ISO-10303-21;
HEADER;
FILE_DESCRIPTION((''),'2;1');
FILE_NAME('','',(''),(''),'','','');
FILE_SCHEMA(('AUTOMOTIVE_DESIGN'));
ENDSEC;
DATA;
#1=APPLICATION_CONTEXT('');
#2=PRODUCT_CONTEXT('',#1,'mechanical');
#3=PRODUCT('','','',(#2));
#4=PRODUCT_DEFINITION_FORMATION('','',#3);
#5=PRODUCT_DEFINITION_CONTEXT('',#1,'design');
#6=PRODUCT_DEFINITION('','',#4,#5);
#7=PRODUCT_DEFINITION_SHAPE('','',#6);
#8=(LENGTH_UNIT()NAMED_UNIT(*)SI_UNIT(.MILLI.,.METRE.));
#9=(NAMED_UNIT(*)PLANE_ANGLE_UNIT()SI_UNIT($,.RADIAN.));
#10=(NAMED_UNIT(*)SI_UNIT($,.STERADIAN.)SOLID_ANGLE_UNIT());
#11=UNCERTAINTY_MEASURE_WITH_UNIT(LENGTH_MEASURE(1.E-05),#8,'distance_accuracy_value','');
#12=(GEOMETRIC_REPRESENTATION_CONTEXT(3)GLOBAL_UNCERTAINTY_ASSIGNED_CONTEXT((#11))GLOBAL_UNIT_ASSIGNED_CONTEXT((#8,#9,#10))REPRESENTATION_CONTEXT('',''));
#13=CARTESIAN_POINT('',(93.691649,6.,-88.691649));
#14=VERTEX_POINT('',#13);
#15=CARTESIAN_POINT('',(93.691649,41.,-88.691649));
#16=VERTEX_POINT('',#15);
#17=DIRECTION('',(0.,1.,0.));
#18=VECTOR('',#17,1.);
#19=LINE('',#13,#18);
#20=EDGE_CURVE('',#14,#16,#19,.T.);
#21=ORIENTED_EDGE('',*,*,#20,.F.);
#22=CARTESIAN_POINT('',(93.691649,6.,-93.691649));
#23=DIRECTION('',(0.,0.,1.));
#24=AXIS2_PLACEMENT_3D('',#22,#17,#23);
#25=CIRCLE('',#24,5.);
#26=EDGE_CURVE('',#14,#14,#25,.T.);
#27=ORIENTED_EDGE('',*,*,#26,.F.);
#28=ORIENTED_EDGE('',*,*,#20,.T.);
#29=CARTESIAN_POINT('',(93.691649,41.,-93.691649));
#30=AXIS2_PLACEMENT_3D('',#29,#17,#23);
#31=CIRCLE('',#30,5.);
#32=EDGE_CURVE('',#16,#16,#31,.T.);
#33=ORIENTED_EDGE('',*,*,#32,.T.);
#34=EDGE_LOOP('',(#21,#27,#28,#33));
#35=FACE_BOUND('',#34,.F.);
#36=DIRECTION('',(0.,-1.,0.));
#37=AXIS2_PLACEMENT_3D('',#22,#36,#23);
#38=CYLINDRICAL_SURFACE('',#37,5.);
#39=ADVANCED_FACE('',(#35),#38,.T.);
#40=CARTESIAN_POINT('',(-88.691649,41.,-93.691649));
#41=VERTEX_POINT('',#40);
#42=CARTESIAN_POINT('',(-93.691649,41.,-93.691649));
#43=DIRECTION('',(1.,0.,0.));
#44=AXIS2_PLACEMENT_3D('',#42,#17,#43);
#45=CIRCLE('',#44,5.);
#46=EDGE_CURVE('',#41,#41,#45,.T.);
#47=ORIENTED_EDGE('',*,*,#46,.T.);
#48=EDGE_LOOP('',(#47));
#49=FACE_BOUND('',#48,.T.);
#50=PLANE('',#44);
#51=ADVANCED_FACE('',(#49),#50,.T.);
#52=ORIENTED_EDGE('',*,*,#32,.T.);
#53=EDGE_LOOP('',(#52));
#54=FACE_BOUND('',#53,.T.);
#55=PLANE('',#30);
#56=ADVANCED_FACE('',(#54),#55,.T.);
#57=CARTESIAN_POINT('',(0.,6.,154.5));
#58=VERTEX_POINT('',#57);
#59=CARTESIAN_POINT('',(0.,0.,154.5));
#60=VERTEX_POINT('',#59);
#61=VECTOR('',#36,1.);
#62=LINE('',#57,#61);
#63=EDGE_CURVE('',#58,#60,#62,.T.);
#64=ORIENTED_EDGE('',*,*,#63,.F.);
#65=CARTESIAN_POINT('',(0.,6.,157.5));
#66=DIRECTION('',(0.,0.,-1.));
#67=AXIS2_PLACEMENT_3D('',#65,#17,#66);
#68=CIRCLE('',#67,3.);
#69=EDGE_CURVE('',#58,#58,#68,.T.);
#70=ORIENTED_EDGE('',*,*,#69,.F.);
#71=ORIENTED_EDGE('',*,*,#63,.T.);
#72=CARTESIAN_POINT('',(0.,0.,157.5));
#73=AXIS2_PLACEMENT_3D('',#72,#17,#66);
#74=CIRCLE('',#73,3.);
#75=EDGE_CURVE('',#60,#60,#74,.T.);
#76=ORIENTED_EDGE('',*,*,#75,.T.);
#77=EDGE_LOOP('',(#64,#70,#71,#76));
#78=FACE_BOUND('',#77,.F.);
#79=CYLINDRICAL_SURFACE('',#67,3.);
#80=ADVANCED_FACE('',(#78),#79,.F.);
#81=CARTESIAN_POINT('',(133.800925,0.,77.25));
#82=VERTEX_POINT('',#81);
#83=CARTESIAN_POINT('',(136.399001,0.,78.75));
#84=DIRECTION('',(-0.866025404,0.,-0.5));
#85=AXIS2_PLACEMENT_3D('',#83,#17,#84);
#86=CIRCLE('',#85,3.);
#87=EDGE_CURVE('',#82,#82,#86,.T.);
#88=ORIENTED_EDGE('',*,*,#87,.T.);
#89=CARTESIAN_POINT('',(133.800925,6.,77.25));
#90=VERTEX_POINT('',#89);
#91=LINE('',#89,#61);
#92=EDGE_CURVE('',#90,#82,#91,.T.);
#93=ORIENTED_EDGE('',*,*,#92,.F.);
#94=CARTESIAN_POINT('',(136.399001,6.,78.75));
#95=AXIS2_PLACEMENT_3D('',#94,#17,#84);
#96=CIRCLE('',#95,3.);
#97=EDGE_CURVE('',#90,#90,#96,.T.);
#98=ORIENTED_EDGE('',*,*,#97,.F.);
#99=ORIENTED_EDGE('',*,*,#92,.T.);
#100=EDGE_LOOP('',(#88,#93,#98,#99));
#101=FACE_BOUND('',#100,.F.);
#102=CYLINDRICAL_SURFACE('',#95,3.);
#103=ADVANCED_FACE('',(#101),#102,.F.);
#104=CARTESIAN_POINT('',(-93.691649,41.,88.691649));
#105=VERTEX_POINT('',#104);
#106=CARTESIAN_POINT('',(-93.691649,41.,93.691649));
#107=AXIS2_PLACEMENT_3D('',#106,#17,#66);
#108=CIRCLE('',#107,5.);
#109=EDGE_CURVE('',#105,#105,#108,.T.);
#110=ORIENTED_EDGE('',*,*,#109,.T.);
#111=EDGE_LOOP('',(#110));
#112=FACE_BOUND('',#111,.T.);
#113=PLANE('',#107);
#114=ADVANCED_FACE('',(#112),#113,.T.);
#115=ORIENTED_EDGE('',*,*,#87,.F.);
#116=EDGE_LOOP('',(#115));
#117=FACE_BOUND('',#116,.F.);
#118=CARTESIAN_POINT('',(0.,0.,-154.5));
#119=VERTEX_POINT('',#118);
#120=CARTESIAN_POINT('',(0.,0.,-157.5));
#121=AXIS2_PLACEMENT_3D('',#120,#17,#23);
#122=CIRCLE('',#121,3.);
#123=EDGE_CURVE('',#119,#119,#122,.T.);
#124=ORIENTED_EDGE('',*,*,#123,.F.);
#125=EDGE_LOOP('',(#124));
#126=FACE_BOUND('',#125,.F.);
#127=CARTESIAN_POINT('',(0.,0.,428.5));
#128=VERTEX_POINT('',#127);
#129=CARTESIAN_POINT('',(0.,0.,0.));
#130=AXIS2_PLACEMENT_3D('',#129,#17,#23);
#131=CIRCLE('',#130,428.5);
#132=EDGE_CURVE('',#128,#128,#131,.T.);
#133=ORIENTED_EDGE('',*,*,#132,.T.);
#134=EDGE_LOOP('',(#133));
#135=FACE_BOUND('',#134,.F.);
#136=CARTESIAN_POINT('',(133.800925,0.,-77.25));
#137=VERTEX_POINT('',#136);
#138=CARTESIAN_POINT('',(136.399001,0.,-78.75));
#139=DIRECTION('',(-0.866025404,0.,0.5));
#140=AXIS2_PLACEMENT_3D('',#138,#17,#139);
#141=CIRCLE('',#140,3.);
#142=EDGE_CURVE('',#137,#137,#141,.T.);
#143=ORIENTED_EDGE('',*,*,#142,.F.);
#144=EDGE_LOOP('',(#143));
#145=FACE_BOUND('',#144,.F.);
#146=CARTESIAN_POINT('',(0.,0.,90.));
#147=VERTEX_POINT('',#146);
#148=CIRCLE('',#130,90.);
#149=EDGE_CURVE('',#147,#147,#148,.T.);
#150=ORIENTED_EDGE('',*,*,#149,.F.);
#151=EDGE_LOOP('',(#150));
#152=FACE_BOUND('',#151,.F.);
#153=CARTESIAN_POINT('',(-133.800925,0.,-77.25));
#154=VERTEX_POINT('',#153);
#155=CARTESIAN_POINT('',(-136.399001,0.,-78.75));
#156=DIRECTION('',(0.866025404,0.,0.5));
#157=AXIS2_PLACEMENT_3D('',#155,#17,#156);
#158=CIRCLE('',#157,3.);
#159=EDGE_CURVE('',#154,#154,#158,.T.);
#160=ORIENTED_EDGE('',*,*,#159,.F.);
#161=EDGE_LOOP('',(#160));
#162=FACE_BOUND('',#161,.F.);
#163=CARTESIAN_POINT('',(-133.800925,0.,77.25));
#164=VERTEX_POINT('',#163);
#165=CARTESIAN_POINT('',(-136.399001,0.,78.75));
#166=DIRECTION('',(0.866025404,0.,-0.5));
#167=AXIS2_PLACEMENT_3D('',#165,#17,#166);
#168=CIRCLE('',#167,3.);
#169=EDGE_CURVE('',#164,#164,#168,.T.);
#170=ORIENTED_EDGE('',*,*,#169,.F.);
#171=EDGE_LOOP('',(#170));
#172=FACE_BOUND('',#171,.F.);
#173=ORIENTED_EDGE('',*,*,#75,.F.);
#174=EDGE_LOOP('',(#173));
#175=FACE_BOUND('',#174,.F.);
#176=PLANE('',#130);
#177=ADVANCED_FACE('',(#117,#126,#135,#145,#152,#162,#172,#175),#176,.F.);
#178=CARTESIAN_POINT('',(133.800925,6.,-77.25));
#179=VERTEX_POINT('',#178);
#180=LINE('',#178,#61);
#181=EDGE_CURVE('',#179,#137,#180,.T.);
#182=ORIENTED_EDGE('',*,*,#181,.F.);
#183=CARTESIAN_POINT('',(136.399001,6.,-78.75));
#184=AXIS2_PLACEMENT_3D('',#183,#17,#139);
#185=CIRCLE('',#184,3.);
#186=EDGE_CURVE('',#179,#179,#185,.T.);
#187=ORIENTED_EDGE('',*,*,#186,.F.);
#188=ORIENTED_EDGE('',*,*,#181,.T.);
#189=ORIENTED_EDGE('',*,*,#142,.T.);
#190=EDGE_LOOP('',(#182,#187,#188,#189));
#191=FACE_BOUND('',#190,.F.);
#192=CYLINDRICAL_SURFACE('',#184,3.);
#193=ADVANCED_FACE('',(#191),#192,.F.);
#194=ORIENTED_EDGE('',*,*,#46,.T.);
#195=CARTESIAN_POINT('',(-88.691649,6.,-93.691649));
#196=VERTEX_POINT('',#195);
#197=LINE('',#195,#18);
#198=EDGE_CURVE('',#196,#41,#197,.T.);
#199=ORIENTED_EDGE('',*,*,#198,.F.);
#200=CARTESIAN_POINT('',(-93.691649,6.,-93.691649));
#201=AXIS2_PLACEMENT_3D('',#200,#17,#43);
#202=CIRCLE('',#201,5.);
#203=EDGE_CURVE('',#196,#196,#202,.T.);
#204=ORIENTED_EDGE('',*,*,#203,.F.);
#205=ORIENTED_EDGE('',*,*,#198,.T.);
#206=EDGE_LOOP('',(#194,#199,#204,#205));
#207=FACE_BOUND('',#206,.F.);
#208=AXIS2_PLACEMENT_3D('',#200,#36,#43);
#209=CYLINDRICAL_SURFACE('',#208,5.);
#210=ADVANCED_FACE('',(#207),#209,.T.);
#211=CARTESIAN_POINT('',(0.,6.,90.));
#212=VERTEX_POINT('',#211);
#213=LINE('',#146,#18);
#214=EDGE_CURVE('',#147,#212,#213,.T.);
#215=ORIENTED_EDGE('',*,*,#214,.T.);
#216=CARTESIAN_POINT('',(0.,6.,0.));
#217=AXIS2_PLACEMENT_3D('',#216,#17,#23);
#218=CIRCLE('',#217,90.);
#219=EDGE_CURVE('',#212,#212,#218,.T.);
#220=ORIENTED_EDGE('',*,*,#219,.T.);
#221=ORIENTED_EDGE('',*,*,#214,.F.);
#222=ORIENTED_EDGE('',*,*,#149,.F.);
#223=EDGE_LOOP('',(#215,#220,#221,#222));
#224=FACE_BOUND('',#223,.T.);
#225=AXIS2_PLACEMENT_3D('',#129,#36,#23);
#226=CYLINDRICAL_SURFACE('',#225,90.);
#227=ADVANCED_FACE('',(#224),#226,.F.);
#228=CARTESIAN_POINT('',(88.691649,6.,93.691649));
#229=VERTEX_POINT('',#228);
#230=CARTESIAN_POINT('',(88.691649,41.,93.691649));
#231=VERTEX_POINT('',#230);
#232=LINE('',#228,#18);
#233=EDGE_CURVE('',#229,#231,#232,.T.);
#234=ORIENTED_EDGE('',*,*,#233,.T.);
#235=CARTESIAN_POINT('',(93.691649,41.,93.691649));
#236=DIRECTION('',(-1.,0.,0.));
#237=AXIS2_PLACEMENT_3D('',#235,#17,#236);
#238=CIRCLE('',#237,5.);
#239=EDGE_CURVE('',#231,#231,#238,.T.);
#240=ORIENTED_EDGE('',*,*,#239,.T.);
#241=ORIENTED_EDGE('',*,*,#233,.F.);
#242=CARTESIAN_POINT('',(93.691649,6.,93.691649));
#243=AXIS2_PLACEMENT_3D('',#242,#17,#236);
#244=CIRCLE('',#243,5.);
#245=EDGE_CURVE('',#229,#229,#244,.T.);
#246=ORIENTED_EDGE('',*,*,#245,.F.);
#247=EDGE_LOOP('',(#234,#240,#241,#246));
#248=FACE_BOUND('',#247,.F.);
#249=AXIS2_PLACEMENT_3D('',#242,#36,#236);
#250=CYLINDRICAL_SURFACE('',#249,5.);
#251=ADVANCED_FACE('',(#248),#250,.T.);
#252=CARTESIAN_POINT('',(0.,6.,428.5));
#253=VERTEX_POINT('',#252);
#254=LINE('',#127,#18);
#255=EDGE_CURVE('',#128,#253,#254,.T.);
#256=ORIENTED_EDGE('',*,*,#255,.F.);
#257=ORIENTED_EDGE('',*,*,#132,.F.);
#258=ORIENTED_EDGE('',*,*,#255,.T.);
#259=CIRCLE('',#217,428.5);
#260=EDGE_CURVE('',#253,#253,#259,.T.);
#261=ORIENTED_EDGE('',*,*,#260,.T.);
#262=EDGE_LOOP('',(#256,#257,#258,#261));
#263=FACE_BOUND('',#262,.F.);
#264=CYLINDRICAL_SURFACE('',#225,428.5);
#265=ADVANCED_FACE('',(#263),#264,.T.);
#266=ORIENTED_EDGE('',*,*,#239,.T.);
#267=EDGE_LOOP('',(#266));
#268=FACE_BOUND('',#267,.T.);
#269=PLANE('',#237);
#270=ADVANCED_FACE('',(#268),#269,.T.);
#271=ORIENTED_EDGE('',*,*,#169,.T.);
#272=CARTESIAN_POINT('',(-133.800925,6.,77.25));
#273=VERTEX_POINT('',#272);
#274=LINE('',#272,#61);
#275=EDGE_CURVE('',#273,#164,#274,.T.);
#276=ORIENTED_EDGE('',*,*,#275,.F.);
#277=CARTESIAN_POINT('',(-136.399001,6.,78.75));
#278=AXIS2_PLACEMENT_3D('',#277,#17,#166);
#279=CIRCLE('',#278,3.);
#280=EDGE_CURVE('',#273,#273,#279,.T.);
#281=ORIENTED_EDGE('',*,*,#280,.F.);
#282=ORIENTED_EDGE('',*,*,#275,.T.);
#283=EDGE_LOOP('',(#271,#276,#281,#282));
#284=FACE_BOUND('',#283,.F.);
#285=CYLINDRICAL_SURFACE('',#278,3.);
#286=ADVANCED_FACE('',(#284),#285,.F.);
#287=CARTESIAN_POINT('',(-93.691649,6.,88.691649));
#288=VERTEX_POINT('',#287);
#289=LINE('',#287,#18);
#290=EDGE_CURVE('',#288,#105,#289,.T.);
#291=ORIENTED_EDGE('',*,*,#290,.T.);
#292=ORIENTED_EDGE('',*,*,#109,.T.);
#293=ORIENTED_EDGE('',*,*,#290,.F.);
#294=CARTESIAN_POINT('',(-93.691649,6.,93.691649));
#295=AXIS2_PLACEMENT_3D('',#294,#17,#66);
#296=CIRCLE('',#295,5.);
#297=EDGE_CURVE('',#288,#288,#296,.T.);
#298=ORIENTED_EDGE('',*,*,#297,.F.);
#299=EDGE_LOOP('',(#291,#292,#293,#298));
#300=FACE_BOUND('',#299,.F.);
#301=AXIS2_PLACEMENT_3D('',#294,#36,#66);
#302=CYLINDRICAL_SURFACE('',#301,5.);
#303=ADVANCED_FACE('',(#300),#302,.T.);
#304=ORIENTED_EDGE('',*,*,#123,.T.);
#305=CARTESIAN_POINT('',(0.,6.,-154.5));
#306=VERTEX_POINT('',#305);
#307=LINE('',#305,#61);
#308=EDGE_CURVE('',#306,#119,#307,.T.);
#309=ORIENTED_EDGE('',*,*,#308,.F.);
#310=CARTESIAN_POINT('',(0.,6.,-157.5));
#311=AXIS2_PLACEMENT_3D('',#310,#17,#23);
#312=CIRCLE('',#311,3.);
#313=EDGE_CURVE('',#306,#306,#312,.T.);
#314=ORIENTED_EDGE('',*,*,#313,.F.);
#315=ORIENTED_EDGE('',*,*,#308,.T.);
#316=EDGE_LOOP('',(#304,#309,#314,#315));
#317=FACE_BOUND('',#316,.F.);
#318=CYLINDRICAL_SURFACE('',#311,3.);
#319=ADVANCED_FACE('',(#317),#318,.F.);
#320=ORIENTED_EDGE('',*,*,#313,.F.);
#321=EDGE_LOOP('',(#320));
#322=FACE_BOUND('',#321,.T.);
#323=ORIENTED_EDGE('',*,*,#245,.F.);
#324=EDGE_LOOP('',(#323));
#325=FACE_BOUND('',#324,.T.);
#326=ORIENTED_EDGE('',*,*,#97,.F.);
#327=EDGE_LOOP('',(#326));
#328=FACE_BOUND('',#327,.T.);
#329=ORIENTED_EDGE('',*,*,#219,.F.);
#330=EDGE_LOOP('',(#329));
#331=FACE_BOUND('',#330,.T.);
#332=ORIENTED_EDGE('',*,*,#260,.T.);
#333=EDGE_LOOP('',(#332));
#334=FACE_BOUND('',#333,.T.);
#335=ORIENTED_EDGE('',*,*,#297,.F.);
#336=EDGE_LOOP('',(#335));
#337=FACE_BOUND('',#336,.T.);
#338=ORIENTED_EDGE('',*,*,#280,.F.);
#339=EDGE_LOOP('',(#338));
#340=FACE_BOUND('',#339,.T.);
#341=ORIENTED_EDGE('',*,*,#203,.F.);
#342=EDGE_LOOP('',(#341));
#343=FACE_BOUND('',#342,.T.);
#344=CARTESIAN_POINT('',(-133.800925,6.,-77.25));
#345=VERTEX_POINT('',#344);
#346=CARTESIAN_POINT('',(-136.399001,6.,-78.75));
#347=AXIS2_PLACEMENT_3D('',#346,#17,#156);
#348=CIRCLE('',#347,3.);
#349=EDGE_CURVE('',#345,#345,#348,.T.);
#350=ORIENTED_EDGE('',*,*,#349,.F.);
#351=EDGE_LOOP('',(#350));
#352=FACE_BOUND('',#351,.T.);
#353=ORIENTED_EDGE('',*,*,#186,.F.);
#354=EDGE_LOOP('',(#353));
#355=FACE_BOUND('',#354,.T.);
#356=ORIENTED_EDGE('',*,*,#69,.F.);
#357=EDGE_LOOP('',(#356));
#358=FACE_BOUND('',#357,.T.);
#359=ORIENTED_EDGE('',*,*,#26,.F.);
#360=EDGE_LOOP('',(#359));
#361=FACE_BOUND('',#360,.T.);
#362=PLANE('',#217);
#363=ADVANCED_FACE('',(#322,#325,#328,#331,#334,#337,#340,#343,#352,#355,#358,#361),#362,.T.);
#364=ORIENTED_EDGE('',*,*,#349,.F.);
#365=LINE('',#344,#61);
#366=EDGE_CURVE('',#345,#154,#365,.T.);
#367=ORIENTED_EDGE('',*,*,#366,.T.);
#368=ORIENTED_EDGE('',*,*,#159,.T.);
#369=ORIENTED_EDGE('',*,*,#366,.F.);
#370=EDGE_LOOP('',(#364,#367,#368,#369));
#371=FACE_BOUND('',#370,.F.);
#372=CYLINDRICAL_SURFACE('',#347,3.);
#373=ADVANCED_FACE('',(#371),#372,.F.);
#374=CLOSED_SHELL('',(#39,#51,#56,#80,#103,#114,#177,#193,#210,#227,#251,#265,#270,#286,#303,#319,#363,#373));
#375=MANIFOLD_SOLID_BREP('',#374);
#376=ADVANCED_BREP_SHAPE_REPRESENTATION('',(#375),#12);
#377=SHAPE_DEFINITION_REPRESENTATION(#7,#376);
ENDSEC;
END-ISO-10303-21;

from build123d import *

# Parameters (mm, degrees)
SKETCH1_R           = 428.5
SKETCH1_R_2         = 90
BOSS_EXTRUDE1_DEPTH = 6
SKETCH2_R           = 3
CUT_EXTRUDE1_DEPTH  = 6
SKETCH5_R           = 5
BOSS_EXTRUDE2_DEPTH = 35
CIRPATTERN1_COUNT   = 6
CIRPATTERN2_COUNT   = 4


with BuildPart() as part:
    # Sketch1 → Boss-Extrude1 (new body)
    with BuildSketch(Plane(origin=(0, 0, 0), x_dir=(1, 0, 0), z_dir=(0, 1, 0))):
        with Locations(Location((0, 0, 0), (0, 0, 270))):
            Circle(SKETCH1_R)
        with Locations(Location((0, 0, 0), (0, 0, 270))):
            Circle(SKETCH1_R_2, mode=Mode.SUBTRACT)
    extrude(amount=BOSS_EXTRUDE1_DEPTH)

    # Sketch2 → Cut-Extrude1 (cut)
    with BuildSketch(Plane(origin=(0, 6, 0), x_dir=(1, 0, 0), z_dir=(0, 1, 0))):
        with Locations(Location((0, 157.5, 0), (0, 0, 270))):
            Circle(SKETCH2_R)
    cut_extrude1 = extrude(amount=-CUT_EXTRUDE1_DEPTH, mode=Mode.SUBTRACT)

    # Sketch5 → Boss-Extrude2 (add)
    with BuildSketch(Plane(origin=(0, 6, 0), x_dir=(1, 0, 0), z_dir=(0, 1, 0))):
        with Locations(Location((93.691648507, 93.691648507, 0), (0, 0, 270))):
            Circle(SKETCH5_R)
    boss_extrude2 = extrude(amount=BOSS_EXTRUDE2_DEPTH)

    # CirPattern1: Cut-Extrude1 ×6 about axis
    cirpattern1_axis = Axis((0, 0, 0), (0, 1, 0))
    for i in range(1, CIRPATTERN1_COUNT):
        add(cut_extrude1.rotate(cirpattern1_axis, i * 360 / CIRPATTERN1_COUNT), mode=Mode.SUBTRACT)

    # CirPattern2: Boss-Extrude2 ×4 about axis
    cirpattern2_axis = Axis((0, 0, 0), (0, 1, 0))
    for i in range(1, CIRPATTERN2_COUNT):
        add(boss_extrude2.rotate(cirpattern2_axis, i * 360 / CIRPATTERN2_COUNT))


solid = part.part
